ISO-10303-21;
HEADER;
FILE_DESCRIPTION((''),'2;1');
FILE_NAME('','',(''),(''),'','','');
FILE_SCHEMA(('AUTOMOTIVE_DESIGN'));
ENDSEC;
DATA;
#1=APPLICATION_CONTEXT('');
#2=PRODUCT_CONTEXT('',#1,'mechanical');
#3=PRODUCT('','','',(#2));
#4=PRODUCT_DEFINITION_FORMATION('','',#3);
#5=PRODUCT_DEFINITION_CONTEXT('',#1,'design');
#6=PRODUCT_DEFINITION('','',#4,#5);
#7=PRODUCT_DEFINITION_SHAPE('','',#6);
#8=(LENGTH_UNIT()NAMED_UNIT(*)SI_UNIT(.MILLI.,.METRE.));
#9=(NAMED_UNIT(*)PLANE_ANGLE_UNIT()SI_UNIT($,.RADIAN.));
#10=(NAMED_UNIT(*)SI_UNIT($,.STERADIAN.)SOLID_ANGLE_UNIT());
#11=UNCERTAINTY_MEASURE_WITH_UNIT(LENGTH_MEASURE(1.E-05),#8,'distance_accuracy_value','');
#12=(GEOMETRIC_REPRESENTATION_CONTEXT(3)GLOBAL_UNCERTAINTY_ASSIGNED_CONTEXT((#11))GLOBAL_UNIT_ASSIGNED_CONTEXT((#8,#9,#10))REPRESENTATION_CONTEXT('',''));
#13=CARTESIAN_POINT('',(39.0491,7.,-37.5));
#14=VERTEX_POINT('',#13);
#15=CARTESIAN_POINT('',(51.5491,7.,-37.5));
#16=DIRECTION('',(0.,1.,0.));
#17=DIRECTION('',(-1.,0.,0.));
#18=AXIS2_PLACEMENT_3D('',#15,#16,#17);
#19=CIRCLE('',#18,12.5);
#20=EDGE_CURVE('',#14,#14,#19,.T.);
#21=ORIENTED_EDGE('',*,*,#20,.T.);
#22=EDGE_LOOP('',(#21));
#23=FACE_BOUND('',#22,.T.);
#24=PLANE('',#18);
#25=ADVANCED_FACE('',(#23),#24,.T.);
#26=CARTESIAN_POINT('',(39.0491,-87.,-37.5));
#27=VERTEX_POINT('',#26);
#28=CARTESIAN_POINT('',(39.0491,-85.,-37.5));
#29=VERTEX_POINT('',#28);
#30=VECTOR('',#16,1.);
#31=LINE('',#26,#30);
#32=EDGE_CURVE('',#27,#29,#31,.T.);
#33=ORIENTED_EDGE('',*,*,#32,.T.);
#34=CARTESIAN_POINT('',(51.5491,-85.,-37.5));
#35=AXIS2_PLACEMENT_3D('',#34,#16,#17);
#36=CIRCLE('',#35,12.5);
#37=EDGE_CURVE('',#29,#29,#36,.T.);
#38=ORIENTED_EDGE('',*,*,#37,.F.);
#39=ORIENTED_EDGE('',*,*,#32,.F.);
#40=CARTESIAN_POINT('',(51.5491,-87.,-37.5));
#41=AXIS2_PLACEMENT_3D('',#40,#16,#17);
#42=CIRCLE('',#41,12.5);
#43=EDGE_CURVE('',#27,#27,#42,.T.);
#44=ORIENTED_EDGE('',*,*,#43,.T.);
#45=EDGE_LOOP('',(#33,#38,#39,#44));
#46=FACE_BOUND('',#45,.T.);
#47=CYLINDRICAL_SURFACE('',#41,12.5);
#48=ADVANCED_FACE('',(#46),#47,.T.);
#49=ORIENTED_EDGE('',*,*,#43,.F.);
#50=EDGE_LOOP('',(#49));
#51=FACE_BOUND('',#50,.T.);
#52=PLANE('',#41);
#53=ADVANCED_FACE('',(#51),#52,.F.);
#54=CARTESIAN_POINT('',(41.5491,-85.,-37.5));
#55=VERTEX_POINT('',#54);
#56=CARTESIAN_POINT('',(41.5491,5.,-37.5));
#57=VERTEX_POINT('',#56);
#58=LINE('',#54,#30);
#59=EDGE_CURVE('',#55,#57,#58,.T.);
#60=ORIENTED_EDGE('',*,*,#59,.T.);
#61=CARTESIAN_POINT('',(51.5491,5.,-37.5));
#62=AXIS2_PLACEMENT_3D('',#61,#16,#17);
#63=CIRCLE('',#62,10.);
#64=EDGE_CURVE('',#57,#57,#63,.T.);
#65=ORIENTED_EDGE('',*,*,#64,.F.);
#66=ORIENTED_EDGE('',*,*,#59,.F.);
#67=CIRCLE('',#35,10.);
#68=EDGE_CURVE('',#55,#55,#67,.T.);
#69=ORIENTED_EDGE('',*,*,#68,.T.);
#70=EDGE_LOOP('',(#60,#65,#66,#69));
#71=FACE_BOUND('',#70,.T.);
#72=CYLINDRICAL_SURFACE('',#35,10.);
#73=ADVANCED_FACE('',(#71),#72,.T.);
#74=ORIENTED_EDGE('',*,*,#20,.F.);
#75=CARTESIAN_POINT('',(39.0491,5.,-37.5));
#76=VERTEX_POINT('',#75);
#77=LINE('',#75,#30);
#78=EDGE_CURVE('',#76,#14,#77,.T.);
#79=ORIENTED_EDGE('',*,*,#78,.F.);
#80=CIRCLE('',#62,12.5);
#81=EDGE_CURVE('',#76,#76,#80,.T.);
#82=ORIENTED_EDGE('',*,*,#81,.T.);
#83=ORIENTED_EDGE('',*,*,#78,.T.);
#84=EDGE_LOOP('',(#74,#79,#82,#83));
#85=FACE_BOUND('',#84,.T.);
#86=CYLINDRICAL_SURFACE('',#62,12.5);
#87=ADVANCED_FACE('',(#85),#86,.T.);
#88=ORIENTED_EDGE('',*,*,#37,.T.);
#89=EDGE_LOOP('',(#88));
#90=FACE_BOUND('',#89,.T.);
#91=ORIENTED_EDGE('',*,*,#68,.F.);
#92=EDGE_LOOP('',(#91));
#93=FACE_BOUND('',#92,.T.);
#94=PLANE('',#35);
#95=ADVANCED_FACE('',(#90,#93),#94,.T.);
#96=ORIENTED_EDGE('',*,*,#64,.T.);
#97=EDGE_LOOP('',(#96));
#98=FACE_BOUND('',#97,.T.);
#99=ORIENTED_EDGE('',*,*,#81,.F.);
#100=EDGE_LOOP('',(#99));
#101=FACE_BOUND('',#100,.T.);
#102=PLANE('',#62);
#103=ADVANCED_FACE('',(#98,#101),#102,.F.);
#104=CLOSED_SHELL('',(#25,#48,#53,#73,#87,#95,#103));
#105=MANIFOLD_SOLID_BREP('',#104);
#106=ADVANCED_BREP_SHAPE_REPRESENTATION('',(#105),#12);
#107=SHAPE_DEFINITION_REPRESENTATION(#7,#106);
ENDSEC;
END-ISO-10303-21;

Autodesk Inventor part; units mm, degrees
ref_plane "YZ Plane" through (0, 0, 0) normal (1, 0, 0) x (0, 1, 0)
ref_plane "XZ Plane" through (0, 0, 0) normal (0, 1, 0) x (-1, 0, 0)
ref_plane "XY Plane" through (0, 0, 0) normal (0, 0, 1) x (1, 0, 0)
ref_plane "Work Plane1" through (0, 0, 0) normal (0, 0, 1) x (1, 0, 0)
ref_plane "Work Plane2" through (0, 0, -37.5) normal (0, 0, 1) x (1, 0, 0)
sketch "Sketch1" plane through (0, 0, -37.5) normal (0, 0, 1) x (1, 0, 0)
  line L0 (41.5491, 5) -> (61.5491, 5) projected
  line L1 (41.5491, 5) -> (39.0491, 5)
  line L2 (39.0491, 5) -> (39.0491, 7)
  line L3 (39.0491, 7) -> (64.0491, 7)
  line L4 (64.0491, 7) -> (64.0491, 5)
  line L5 (64.0491, 5) -> (61.5491, 5)
  line L6 (61.5491, 5) -> (61.5491, -85)
  line L7 (61.5491, -85) -> (64.0491, -85)
  line L8 (64.0491, -85) -> (64.0491, -87)
  line L9 (64.0491, -87) -> (39.0491, -87)
  line L10 (39.0491, -87) -> (39.0491, -85)
  line L11 (39.0491, -85) -> (41.5491, -85)
  line L12 (41.5491, -85) -> (41.5491, 5)
  line L13 (51.5491, -97.5104) -> (51.5491, 34.0837)
  point P0 (0, 0)
  point P1 (51.5491, 7)
  point P2 (51.5491, -87)
  dimension "d1" = 2
  dimension "d5" = 90
  dimension "d12" = 25
  dimension "d13" = 2.5
revolve "Revolution1" add sketch "Sketch1" angle 360 about axis through (51.5491, -97.5104, -37.5) along (0, 1, 0) contours L1 L2 L3 L13 L0 | L0 L13 L9 L10 L11 L12
properties part number "nitR3"
